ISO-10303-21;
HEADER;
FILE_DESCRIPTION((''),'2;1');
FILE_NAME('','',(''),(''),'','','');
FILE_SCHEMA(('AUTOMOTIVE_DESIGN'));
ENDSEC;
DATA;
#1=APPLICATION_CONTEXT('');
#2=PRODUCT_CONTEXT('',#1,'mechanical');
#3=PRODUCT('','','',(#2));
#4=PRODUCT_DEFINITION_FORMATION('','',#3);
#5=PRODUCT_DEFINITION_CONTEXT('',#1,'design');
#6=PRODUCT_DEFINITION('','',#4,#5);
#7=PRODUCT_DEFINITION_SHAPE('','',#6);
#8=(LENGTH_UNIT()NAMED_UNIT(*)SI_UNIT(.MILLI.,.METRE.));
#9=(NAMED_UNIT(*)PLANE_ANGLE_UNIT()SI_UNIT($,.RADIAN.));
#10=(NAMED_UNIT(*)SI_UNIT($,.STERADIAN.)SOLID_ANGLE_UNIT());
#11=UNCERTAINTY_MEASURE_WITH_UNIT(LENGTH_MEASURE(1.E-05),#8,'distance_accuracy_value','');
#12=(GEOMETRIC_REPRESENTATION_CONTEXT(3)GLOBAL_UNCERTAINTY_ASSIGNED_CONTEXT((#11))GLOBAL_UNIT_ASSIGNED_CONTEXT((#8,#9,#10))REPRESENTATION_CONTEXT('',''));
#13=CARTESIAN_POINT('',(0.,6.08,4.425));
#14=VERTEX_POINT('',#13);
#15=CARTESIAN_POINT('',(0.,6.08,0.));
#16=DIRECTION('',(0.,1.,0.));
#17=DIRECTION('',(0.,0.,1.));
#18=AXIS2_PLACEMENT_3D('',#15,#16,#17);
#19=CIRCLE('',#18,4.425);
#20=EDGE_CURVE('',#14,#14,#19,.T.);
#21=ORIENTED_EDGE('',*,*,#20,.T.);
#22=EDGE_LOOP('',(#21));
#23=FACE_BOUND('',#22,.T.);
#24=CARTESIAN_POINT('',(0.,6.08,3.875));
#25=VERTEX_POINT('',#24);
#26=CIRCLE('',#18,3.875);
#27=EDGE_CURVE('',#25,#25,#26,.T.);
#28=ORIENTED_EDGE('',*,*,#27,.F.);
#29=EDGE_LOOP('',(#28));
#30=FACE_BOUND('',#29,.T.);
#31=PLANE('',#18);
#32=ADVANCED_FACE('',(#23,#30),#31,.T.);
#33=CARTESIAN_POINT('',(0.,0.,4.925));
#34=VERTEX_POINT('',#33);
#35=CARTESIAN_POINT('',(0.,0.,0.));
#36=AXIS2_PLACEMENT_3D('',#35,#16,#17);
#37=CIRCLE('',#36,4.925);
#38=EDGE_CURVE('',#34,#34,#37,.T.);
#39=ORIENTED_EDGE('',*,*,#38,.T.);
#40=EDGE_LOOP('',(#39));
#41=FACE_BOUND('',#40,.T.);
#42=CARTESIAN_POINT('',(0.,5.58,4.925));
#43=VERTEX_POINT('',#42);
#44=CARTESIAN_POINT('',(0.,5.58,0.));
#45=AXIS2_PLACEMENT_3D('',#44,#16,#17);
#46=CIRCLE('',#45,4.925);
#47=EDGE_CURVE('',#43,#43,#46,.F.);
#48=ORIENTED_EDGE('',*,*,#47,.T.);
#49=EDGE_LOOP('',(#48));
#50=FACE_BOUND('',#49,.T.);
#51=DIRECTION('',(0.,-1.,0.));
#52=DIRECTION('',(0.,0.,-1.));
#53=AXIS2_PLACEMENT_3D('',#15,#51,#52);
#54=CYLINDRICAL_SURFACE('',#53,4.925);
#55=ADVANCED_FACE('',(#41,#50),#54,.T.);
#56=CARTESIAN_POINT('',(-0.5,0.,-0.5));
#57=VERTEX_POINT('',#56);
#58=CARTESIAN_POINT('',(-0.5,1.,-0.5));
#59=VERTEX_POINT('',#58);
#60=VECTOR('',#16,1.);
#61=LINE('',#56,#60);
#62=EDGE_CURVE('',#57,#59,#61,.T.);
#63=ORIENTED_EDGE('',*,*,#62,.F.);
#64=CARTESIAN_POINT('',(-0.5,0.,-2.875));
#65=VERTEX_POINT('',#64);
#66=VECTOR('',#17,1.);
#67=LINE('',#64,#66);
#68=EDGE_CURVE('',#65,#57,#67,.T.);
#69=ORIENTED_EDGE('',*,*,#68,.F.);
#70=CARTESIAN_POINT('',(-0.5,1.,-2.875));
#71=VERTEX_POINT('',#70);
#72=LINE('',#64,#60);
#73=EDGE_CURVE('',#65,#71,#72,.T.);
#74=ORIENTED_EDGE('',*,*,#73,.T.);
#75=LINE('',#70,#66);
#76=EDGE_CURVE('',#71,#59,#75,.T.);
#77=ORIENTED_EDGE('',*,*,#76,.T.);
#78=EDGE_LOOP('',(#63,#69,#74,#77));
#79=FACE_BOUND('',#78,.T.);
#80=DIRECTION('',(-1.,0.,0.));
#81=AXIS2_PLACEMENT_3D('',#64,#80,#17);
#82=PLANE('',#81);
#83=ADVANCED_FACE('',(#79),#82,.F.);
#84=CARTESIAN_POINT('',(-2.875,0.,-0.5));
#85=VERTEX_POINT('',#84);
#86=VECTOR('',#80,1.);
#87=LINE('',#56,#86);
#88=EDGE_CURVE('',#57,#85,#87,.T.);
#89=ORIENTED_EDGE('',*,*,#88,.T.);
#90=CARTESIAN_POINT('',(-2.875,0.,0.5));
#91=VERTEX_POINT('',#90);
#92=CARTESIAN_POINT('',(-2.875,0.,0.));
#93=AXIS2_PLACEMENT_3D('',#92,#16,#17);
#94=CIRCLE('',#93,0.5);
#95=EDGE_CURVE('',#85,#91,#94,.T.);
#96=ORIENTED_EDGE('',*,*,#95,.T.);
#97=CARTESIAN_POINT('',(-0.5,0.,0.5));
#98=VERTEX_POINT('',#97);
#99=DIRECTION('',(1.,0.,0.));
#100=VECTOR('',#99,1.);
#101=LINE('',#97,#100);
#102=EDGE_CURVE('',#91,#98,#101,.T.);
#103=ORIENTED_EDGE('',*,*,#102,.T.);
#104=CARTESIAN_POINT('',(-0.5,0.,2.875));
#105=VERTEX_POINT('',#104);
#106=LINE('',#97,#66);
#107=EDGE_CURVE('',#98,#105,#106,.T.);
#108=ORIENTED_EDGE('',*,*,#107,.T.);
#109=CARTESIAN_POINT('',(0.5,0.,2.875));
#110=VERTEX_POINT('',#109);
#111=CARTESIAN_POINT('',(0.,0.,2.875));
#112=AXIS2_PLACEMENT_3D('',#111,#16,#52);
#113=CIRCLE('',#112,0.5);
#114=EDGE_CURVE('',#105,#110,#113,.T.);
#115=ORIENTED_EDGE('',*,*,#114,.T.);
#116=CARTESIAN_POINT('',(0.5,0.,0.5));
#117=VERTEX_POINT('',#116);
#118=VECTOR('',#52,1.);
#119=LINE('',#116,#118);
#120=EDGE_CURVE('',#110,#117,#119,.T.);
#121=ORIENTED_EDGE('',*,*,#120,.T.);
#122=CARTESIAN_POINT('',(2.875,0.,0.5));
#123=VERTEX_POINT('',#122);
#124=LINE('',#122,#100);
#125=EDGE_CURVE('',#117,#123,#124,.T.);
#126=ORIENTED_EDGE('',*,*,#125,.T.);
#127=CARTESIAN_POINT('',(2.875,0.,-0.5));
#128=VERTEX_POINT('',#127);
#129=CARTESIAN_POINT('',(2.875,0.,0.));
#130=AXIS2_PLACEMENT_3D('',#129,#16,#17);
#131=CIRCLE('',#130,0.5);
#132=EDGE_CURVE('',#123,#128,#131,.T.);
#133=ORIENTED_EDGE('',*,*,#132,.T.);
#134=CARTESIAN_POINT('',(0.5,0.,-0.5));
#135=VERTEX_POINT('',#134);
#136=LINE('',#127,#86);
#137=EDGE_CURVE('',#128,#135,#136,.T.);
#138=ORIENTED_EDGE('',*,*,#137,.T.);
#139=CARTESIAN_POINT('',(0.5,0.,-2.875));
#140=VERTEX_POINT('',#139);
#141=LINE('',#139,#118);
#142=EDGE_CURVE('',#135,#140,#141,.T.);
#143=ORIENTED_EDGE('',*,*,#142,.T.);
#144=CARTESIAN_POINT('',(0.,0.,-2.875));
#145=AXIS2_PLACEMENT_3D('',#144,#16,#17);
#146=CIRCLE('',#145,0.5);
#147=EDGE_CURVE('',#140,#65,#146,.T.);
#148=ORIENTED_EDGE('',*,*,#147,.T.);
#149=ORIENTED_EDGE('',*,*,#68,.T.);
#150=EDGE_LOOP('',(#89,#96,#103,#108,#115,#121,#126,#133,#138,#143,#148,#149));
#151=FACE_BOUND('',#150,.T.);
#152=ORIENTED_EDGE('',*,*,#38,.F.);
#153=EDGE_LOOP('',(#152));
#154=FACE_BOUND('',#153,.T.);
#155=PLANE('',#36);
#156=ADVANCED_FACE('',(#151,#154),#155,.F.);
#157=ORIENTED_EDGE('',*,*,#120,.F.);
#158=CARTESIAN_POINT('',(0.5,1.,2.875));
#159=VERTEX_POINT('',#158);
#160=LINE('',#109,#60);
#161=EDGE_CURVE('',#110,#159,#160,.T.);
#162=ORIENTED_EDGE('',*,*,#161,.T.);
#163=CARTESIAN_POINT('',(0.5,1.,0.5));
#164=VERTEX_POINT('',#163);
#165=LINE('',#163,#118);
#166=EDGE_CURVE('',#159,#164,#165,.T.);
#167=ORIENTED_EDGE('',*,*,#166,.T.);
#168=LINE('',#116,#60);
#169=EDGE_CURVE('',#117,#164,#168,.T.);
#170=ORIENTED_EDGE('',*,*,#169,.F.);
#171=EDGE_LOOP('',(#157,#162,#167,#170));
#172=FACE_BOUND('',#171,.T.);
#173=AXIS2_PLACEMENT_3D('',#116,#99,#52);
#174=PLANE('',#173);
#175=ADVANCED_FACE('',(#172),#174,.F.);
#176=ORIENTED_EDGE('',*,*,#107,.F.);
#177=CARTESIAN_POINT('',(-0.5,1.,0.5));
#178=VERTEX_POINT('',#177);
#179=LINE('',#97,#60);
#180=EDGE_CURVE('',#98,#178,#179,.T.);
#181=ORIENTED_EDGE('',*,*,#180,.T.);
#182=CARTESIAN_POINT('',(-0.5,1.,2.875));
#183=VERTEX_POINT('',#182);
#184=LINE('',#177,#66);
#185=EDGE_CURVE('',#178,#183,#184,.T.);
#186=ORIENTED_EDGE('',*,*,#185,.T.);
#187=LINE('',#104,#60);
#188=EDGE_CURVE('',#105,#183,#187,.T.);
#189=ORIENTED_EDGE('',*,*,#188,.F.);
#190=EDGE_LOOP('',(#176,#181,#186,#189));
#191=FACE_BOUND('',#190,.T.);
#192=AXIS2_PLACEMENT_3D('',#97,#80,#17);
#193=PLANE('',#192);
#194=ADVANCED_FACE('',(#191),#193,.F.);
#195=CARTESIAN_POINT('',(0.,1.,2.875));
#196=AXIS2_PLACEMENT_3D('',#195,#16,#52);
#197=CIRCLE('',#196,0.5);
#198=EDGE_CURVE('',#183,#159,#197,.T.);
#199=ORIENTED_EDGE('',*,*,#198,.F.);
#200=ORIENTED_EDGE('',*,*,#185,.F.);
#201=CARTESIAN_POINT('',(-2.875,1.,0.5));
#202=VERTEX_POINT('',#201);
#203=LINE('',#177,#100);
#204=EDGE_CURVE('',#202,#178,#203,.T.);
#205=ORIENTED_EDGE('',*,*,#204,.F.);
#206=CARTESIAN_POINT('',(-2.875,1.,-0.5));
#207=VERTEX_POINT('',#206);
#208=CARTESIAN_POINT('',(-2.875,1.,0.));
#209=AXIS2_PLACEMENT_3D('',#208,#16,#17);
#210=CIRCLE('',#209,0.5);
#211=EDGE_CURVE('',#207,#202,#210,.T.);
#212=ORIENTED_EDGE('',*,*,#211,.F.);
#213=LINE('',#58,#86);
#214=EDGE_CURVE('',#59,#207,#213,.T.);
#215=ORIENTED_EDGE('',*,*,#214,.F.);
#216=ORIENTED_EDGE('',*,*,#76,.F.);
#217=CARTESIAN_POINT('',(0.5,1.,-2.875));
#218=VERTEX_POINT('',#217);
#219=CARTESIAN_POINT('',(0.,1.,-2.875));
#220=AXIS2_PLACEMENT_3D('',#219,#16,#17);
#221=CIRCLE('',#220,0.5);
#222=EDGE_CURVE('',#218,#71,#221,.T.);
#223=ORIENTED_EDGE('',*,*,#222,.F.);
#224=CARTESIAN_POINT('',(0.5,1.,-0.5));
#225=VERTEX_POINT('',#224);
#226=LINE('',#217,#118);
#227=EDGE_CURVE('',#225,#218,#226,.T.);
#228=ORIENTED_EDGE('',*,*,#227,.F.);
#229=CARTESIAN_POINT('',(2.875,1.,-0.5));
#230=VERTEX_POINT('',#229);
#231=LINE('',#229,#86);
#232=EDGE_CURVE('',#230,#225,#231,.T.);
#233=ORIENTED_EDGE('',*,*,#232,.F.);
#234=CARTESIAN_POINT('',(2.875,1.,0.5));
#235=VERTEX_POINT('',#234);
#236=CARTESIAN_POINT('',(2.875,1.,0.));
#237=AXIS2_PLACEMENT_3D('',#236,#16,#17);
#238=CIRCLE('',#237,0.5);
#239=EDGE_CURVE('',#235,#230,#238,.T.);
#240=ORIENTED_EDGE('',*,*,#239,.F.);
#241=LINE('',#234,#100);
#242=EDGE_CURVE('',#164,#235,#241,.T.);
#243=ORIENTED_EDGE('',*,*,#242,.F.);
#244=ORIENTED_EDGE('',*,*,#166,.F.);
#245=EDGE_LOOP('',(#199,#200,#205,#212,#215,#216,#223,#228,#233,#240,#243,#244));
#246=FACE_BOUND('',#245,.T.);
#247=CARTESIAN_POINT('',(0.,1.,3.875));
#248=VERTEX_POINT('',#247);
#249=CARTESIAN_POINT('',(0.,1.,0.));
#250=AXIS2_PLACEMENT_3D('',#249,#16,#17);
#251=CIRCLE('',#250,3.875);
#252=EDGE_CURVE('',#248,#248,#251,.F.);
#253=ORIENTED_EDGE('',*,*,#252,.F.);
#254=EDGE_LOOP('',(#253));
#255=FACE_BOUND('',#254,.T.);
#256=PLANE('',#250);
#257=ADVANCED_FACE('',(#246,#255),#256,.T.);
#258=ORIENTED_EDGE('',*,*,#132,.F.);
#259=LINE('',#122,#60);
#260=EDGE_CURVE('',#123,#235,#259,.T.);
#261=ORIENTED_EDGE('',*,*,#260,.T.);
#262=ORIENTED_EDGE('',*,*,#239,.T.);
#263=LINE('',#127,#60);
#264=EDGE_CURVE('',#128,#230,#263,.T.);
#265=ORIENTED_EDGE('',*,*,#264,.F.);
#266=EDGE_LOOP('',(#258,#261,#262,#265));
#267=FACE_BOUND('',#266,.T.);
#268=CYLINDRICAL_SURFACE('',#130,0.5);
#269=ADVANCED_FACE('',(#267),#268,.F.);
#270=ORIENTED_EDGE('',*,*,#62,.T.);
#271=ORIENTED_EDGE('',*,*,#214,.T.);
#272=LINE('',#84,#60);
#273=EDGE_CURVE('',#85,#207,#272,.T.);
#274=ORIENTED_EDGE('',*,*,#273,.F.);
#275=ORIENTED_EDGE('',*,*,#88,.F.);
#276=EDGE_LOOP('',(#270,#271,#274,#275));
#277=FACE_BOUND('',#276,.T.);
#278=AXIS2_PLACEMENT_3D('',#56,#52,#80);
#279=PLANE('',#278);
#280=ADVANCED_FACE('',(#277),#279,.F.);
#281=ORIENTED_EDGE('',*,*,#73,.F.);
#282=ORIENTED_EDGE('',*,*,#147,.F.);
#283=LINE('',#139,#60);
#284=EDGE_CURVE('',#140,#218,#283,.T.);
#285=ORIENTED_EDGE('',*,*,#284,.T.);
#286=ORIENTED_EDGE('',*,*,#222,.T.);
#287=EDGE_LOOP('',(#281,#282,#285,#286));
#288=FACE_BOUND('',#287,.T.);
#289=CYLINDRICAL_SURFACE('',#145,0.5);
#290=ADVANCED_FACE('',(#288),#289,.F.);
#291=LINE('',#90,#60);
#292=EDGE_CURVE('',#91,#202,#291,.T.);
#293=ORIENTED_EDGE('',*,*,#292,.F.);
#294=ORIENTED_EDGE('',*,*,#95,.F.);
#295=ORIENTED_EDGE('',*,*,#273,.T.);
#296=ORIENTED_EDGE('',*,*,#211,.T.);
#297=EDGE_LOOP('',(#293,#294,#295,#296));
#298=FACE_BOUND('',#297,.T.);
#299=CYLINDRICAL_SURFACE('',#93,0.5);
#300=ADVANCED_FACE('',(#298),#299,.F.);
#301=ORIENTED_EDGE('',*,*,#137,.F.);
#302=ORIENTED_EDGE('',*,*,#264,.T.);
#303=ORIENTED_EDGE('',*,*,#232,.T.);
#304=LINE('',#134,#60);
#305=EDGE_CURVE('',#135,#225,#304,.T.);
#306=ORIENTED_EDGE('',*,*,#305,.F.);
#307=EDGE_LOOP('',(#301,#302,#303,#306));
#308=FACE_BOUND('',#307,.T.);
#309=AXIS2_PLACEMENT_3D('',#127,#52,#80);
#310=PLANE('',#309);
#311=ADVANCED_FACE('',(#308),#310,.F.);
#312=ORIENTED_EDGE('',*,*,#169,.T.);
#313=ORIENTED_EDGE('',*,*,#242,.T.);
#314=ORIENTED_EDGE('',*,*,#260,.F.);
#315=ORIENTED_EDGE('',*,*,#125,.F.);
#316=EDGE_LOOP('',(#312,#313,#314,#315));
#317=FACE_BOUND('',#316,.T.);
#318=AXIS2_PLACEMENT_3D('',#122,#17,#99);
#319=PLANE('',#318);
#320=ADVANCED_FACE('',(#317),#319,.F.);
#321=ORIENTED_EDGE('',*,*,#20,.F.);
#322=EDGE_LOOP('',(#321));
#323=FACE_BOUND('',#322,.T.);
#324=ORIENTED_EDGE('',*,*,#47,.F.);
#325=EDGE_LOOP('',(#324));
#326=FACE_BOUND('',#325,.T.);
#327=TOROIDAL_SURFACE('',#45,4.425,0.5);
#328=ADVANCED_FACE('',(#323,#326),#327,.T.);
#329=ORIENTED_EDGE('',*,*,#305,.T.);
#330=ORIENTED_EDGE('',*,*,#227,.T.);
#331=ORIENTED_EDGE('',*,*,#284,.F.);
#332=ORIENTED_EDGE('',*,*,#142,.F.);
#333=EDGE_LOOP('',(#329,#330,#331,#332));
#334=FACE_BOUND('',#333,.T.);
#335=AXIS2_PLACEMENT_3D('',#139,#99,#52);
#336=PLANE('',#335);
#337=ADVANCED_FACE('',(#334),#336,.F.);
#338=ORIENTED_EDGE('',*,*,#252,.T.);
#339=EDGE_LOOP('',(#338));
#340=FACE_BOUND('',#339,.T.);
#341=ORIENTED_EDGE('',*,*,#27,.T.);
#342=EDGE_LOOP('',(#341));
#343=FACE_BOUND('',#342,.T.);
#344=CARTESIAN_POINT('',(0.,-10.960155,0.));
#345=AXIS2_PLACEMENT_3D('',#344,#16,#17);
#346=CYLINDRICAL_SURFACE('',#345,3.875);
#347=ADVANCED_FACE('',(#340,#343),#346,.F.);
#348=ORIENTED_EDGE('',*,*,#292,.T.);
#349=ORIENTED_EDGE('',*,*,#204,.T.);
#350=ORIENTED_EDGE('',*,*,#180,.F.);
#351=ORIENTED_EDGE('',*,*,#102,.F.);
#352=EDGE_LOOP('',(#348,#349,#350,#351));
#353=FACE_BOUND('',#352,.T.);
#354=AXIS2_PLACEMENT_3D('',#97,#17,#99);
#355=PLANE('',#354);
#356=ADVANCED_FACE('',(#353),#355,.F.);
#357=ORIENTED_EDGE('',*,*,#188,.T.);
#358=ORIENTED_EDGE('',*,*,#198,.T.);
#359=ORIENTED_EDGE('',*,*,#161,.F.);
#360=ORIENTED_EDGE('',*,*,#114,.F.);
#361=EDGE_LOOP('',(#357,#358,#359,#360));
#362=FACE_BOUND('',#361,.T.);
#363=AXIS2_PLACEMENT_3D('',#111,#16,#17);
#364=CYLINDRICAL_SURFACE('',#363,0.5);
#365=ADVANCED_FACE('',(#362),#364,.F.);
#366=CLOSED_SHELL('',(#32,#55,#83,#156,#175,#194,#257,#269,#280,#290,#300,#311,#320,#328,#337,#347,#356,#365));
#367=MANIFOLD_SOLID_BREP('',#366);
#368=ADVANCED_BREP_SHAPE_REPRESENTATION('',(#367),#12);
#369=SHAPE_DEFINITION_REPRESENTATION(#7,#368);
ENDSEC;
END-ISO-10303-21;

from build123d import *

# Parameters (mm, degrees)
SKETCH_1_R          = 4.925
EXTRUDE_1_DEPTH     = 6.08
SKETCH_2_R          = 3.875
CUT_EXTRUDE_1_DEPTH = 5.08
FILLET_1_R          = 0.5
CUT_EXTRUDE_2_DEPTH = 2


with BuildPart() as part:
    # Эскиз1 → Бобышка-Вытянуть1 (new body)
    with BuildSketch(Plane(origin=(0, 0, 0), x_dir=(1, 0, 0), z_dir=(0, 1, 0))):
        Circle(SKETCH_1_R)
    extrude(amount=EXTRUDE_1_DEPTH)

    # Эскиз2 → Вырез-Вытянуть1 (cut)
    with BuildSketch(Plane(origin=(0, 6.08, 0), x_dir=(1, 0, 0), z_dir=(0, 1, 0))):
        Circle(SKETCH_2_R)
    extrude(amount=-CUT_EXTRUDE_1_DEPTH, mode=Mode.SUBTRACT)

    # Скругление1
    fillet_1_edges = [part.edges().sort_by_distance(p)[0] for p in [
        (-4.925, 6.08, 0),
    ]]
    fillet(fillet_1_edges, radius=FILLET_1_R)

    # Эскиз3 → Вырез-Вытянуть2 (cut, through all)
    with BuildSketch(Plane(origin=(0, 1, 0), x_dir=(1, 0, 0), z_dir=(0, 1, 0))):
        with BuildLine():
            Line((2.875, 0.5), (0.5, 0.5))
            Line((0.5, 0.5), (0.5, 2.875))
            ThreePointArc((0.5, 2.875), (0, 3.375), (-0.5, 2.875))
            Line((-0.5, 2.875), (-0.5, 0.5))
            Line((-0.5, 0.5), (-2.875, 0.5))
            ThreePointArc((-2.875, 0.5), (-3.375, 0), (-2.875, -0.5))
            Line((-2.875, -0.5), (-0.5, -0.5))
            Line((-0.5, -0.5), (-0.5, -2.875))
            ThreePointArc((-0.5, -2.875), (0, -3.375), (0.5, -2.875))
            Line((0.5, -2.875), (0.5, -0.5))
            Line((0.5, -0.5), (2.875, -0.5))
            ThreePointArc((2.875, -0.5), (3.375, 0), (2.875, 0.5))
        make_face()
    extrude(amount=-CUT_EXTRUDE_2_DEPTH, mode=Mode.SUBTRACT)


solid = part.part
